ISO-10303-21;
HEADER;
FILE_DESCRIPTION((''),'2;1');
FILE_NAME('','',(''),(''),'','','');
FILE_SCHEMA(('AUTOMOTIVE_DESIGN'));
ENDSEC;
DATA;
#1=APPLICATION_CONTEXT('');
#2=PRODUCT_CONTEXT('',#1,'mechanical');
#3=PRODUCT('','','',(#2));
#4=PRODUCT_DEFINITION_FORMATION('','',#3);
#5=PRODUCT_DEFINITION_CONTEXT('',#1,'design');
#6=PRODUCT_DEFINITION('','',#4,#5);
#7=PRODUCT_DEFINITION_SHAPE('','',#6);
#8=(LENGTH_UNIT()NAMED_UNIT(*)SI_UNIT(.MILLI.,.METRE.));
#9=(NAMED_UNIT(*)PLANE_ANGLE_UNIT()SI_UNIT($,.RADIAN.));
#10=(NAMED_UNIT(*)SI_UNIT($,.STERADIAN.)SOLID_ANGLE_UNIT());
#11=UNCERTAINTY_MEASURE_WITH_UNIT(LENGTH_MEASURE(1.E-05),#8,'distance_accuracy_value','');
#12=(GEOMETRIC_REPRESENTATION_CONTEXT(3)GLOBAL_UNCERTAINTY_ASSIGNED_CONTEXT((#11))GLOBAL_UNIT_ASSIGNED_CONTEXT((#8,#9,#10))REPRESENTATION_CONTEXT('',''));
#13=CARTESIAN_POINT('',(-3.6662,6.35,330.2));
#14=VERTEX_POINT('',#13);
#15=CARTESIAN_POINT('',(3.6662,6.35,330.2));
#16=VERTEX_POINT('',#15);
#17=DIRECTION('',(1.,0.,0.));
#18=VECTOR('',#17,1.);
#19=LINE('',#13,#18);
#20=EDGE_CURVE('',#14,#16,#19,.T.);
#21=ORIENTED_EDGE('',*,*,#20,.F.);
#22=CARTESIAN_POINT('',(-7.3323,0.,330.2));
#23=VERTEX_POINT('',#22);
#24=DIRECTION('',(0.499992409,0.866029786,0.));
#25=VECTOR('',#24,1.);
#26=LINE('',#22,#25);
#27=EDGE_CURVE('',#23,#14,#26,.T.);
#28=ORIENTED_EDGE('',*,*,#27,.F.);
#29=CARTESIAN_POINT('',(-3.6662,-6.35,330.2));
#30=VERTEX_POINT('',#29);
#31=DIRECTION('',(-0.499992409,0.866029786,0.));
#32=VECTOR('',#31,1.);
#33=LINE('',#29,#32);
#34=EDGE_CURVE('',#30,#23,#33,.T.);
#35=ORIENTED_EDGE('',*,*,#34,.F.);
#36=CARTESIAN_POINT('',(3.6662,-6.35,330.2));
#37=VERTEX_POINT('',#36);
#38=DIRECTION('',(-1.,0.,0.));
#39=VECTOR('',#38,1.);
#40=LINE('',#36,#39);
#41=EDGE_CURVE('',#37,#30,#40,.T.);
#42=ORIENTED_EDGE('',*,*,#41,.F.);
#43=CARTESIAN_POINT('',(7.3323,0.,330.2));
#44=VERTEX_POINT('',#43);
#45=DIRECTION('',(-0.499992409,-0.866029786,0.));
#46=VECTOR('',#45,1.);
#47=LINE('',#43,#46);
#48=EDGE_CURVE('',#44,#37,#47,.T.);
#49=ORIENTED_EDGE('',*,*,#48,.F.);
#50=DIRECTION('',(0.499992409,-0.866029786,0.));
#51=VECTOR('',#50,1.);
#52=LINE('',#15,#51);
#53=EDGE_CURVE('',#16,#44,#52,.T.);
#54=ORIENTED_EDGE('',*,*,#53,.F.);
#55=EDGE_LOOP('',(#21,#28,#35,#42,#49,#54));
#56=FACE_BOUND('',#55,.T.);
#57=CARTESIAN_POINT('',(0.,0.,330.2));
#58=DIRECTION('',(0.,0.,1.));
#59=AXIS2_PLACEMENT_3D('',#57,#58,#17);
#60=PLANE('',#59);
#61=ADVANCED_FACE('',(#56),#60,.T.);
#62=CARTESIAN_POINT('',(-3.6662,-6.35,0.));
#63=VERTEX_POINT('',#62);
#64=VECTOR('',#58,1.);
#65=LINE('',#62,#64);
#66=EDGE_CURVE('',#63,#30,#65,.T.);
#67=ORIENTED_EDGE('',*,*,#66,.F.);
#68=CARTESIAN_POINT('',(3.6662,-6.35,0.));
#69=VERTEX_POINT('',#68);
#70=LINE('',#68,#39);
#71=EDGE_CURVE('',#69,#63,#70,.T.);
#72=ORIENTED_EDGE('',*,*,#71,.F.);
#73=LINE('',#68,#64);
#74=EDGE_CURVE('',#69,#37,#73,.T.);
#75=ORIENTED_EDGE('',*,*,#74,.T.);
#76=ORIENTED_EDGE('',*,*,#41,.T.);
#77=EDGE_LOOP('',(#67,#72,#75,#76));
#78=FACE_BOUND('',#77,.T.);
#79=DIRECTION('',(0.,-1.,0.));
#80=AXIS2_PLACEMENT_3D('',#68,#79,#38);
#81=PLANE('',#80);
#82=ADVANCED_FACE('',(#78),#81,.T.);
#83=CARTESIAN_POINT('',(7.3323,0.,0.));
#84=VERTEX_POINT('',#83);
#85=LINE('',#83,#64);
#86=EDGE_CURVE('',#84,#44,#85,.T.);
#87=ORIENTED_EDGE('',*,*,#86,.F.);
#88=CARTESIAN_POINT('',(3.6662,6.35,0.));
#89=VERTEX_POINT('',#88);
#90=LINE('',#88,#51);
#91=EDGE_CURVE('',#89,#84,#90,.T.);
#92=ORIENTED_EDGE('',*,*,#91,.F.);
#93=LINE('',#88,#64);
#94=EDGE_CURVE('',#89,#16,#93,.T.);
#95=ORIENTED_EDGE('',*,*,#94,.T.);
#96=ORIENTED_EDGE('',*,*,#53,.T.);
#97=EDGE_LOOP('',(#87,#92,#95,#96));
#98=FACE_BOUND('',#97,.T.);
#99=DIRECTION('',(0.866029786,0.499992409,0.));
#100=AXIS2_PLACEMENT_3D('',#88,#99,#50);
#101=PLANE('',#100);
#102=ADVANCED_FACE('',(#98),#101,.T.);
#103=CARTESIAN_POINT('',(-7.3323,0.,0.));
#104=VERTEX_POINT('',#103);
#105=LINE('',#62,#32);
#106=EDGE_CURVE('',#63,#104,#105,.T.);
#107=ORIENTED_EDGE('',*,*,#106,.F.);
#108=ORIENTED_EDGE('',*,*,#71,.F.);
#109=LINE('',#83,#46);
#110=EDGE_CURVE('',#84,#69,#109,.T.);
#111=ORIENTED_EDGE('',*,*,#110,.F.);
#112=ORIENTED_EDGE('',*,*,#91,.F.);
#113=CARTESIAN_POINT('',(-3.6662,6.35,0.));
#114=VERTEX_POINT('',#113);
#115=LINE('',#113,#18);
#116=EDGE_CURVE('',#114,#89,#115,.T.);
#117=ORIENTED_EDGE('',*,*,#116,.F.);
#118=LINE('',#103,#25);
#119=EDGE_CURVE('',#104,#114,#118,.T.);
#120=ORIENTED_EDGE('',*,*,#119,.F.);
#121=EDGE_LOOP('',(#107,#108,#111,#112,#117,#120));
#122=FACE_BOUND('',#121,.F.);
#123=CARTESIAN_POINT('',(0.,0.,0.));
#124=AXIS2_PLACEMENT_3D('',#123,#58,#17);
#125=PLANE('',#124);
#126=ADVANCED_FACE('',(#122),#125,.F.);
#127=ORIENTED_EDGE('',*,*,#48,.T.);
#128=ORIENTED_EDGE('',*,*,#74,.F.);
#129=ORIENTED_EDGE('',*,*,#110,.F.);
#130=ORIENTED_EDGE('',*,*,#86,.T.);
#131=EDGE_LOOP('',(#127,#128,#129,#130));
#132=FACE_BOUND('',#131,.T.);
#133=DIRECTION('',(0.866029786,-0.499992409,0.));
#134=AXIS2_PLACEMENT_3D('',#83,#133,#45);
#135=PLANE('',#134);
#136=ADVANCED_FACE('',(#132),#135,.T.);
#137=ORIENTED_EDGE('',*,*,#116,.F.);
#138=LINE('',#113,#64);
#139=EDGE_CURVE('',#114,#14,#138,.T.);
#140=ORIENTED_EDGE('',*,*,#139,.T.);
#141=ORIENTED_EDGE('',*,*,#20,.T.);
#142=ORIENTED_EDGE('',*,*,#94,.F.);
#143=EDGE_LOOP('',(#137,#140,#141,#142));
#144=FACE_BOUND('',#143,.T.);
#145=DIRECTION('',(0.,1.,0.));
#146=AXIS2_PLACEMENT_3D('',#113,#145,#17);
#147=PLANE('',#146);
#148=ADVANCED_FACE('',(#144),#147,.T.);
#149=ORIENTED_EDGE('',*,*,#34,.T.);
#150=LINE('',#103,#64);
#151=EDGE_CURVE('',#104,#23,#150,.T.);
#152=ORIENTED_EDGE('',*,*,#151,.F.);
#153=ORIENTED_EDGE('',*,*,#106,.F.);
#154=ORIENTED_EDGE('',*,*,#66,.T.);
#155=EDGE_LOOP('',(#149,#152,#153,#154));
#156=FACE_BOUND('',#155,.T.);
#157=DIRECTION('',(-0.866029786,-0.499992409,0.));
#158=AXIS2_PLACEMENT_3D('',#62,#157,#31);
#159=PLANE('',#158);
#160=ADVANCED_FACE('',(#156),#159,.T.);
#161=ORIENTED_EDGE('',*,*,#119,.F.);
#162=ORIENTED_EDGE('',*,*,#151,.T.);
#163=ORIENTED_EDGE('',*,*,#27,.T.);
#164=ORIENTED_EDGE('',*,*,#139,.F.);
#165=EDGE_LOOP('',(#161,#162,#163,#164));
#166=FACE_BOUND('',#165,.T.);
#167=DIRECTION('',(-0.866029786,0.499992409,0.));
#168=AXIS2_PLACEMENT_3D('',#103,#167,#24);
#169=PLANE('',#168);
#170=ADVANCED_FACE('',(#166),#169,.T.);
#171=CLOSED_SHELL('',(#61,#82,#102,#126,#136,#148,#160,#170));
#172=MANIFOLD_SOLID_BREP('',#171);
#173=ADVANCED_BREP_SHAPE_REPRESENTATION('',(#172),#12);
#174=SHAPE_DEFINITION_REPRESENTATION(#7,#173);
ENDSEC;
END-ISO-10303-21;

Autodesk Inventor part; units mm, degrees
ref_plane "YZ Plane" through (0, 0, 0) normal (1, 0, 0) x (0, 1, 0)
ref_plane "XZ Plane" through (0, 0, 0) normal (0, 1, 0) x (-1, 0, 0)
ref_plane "XY Plane" through (0, 0, 0) normal (0, 0, 1) x (1, 0, 0)
sketch "Sketch1" plane through (0, 0, 0) normal (0, 0, 1) x (1, 0, 0)
  line L0 (3.6662, 6.35) -> (7.3323, 0)
  line L1 (7.3323, 0) -> (3.6662, -6.35)
  line L2 (3.6662, -6.35) -> (-3.6662, -6.35)
  line L3 (-3.6662, -6.35) -> (-7.3323, 0)
  line L4 (-7.3323, 0) -> (-3.6662, 6.35)
  line L5 (-3.6662, 6.35) -> (3.6662, 6.35)
  point P0 (0, 0)
  point P1 (0, 0)
  dimension "d0" = 12.7
extrude "Extrusion1" add sketch "Sketch1" along normal blind 330.2
properties part number "hex rod 13 inch" material "Steel, Alloy"
